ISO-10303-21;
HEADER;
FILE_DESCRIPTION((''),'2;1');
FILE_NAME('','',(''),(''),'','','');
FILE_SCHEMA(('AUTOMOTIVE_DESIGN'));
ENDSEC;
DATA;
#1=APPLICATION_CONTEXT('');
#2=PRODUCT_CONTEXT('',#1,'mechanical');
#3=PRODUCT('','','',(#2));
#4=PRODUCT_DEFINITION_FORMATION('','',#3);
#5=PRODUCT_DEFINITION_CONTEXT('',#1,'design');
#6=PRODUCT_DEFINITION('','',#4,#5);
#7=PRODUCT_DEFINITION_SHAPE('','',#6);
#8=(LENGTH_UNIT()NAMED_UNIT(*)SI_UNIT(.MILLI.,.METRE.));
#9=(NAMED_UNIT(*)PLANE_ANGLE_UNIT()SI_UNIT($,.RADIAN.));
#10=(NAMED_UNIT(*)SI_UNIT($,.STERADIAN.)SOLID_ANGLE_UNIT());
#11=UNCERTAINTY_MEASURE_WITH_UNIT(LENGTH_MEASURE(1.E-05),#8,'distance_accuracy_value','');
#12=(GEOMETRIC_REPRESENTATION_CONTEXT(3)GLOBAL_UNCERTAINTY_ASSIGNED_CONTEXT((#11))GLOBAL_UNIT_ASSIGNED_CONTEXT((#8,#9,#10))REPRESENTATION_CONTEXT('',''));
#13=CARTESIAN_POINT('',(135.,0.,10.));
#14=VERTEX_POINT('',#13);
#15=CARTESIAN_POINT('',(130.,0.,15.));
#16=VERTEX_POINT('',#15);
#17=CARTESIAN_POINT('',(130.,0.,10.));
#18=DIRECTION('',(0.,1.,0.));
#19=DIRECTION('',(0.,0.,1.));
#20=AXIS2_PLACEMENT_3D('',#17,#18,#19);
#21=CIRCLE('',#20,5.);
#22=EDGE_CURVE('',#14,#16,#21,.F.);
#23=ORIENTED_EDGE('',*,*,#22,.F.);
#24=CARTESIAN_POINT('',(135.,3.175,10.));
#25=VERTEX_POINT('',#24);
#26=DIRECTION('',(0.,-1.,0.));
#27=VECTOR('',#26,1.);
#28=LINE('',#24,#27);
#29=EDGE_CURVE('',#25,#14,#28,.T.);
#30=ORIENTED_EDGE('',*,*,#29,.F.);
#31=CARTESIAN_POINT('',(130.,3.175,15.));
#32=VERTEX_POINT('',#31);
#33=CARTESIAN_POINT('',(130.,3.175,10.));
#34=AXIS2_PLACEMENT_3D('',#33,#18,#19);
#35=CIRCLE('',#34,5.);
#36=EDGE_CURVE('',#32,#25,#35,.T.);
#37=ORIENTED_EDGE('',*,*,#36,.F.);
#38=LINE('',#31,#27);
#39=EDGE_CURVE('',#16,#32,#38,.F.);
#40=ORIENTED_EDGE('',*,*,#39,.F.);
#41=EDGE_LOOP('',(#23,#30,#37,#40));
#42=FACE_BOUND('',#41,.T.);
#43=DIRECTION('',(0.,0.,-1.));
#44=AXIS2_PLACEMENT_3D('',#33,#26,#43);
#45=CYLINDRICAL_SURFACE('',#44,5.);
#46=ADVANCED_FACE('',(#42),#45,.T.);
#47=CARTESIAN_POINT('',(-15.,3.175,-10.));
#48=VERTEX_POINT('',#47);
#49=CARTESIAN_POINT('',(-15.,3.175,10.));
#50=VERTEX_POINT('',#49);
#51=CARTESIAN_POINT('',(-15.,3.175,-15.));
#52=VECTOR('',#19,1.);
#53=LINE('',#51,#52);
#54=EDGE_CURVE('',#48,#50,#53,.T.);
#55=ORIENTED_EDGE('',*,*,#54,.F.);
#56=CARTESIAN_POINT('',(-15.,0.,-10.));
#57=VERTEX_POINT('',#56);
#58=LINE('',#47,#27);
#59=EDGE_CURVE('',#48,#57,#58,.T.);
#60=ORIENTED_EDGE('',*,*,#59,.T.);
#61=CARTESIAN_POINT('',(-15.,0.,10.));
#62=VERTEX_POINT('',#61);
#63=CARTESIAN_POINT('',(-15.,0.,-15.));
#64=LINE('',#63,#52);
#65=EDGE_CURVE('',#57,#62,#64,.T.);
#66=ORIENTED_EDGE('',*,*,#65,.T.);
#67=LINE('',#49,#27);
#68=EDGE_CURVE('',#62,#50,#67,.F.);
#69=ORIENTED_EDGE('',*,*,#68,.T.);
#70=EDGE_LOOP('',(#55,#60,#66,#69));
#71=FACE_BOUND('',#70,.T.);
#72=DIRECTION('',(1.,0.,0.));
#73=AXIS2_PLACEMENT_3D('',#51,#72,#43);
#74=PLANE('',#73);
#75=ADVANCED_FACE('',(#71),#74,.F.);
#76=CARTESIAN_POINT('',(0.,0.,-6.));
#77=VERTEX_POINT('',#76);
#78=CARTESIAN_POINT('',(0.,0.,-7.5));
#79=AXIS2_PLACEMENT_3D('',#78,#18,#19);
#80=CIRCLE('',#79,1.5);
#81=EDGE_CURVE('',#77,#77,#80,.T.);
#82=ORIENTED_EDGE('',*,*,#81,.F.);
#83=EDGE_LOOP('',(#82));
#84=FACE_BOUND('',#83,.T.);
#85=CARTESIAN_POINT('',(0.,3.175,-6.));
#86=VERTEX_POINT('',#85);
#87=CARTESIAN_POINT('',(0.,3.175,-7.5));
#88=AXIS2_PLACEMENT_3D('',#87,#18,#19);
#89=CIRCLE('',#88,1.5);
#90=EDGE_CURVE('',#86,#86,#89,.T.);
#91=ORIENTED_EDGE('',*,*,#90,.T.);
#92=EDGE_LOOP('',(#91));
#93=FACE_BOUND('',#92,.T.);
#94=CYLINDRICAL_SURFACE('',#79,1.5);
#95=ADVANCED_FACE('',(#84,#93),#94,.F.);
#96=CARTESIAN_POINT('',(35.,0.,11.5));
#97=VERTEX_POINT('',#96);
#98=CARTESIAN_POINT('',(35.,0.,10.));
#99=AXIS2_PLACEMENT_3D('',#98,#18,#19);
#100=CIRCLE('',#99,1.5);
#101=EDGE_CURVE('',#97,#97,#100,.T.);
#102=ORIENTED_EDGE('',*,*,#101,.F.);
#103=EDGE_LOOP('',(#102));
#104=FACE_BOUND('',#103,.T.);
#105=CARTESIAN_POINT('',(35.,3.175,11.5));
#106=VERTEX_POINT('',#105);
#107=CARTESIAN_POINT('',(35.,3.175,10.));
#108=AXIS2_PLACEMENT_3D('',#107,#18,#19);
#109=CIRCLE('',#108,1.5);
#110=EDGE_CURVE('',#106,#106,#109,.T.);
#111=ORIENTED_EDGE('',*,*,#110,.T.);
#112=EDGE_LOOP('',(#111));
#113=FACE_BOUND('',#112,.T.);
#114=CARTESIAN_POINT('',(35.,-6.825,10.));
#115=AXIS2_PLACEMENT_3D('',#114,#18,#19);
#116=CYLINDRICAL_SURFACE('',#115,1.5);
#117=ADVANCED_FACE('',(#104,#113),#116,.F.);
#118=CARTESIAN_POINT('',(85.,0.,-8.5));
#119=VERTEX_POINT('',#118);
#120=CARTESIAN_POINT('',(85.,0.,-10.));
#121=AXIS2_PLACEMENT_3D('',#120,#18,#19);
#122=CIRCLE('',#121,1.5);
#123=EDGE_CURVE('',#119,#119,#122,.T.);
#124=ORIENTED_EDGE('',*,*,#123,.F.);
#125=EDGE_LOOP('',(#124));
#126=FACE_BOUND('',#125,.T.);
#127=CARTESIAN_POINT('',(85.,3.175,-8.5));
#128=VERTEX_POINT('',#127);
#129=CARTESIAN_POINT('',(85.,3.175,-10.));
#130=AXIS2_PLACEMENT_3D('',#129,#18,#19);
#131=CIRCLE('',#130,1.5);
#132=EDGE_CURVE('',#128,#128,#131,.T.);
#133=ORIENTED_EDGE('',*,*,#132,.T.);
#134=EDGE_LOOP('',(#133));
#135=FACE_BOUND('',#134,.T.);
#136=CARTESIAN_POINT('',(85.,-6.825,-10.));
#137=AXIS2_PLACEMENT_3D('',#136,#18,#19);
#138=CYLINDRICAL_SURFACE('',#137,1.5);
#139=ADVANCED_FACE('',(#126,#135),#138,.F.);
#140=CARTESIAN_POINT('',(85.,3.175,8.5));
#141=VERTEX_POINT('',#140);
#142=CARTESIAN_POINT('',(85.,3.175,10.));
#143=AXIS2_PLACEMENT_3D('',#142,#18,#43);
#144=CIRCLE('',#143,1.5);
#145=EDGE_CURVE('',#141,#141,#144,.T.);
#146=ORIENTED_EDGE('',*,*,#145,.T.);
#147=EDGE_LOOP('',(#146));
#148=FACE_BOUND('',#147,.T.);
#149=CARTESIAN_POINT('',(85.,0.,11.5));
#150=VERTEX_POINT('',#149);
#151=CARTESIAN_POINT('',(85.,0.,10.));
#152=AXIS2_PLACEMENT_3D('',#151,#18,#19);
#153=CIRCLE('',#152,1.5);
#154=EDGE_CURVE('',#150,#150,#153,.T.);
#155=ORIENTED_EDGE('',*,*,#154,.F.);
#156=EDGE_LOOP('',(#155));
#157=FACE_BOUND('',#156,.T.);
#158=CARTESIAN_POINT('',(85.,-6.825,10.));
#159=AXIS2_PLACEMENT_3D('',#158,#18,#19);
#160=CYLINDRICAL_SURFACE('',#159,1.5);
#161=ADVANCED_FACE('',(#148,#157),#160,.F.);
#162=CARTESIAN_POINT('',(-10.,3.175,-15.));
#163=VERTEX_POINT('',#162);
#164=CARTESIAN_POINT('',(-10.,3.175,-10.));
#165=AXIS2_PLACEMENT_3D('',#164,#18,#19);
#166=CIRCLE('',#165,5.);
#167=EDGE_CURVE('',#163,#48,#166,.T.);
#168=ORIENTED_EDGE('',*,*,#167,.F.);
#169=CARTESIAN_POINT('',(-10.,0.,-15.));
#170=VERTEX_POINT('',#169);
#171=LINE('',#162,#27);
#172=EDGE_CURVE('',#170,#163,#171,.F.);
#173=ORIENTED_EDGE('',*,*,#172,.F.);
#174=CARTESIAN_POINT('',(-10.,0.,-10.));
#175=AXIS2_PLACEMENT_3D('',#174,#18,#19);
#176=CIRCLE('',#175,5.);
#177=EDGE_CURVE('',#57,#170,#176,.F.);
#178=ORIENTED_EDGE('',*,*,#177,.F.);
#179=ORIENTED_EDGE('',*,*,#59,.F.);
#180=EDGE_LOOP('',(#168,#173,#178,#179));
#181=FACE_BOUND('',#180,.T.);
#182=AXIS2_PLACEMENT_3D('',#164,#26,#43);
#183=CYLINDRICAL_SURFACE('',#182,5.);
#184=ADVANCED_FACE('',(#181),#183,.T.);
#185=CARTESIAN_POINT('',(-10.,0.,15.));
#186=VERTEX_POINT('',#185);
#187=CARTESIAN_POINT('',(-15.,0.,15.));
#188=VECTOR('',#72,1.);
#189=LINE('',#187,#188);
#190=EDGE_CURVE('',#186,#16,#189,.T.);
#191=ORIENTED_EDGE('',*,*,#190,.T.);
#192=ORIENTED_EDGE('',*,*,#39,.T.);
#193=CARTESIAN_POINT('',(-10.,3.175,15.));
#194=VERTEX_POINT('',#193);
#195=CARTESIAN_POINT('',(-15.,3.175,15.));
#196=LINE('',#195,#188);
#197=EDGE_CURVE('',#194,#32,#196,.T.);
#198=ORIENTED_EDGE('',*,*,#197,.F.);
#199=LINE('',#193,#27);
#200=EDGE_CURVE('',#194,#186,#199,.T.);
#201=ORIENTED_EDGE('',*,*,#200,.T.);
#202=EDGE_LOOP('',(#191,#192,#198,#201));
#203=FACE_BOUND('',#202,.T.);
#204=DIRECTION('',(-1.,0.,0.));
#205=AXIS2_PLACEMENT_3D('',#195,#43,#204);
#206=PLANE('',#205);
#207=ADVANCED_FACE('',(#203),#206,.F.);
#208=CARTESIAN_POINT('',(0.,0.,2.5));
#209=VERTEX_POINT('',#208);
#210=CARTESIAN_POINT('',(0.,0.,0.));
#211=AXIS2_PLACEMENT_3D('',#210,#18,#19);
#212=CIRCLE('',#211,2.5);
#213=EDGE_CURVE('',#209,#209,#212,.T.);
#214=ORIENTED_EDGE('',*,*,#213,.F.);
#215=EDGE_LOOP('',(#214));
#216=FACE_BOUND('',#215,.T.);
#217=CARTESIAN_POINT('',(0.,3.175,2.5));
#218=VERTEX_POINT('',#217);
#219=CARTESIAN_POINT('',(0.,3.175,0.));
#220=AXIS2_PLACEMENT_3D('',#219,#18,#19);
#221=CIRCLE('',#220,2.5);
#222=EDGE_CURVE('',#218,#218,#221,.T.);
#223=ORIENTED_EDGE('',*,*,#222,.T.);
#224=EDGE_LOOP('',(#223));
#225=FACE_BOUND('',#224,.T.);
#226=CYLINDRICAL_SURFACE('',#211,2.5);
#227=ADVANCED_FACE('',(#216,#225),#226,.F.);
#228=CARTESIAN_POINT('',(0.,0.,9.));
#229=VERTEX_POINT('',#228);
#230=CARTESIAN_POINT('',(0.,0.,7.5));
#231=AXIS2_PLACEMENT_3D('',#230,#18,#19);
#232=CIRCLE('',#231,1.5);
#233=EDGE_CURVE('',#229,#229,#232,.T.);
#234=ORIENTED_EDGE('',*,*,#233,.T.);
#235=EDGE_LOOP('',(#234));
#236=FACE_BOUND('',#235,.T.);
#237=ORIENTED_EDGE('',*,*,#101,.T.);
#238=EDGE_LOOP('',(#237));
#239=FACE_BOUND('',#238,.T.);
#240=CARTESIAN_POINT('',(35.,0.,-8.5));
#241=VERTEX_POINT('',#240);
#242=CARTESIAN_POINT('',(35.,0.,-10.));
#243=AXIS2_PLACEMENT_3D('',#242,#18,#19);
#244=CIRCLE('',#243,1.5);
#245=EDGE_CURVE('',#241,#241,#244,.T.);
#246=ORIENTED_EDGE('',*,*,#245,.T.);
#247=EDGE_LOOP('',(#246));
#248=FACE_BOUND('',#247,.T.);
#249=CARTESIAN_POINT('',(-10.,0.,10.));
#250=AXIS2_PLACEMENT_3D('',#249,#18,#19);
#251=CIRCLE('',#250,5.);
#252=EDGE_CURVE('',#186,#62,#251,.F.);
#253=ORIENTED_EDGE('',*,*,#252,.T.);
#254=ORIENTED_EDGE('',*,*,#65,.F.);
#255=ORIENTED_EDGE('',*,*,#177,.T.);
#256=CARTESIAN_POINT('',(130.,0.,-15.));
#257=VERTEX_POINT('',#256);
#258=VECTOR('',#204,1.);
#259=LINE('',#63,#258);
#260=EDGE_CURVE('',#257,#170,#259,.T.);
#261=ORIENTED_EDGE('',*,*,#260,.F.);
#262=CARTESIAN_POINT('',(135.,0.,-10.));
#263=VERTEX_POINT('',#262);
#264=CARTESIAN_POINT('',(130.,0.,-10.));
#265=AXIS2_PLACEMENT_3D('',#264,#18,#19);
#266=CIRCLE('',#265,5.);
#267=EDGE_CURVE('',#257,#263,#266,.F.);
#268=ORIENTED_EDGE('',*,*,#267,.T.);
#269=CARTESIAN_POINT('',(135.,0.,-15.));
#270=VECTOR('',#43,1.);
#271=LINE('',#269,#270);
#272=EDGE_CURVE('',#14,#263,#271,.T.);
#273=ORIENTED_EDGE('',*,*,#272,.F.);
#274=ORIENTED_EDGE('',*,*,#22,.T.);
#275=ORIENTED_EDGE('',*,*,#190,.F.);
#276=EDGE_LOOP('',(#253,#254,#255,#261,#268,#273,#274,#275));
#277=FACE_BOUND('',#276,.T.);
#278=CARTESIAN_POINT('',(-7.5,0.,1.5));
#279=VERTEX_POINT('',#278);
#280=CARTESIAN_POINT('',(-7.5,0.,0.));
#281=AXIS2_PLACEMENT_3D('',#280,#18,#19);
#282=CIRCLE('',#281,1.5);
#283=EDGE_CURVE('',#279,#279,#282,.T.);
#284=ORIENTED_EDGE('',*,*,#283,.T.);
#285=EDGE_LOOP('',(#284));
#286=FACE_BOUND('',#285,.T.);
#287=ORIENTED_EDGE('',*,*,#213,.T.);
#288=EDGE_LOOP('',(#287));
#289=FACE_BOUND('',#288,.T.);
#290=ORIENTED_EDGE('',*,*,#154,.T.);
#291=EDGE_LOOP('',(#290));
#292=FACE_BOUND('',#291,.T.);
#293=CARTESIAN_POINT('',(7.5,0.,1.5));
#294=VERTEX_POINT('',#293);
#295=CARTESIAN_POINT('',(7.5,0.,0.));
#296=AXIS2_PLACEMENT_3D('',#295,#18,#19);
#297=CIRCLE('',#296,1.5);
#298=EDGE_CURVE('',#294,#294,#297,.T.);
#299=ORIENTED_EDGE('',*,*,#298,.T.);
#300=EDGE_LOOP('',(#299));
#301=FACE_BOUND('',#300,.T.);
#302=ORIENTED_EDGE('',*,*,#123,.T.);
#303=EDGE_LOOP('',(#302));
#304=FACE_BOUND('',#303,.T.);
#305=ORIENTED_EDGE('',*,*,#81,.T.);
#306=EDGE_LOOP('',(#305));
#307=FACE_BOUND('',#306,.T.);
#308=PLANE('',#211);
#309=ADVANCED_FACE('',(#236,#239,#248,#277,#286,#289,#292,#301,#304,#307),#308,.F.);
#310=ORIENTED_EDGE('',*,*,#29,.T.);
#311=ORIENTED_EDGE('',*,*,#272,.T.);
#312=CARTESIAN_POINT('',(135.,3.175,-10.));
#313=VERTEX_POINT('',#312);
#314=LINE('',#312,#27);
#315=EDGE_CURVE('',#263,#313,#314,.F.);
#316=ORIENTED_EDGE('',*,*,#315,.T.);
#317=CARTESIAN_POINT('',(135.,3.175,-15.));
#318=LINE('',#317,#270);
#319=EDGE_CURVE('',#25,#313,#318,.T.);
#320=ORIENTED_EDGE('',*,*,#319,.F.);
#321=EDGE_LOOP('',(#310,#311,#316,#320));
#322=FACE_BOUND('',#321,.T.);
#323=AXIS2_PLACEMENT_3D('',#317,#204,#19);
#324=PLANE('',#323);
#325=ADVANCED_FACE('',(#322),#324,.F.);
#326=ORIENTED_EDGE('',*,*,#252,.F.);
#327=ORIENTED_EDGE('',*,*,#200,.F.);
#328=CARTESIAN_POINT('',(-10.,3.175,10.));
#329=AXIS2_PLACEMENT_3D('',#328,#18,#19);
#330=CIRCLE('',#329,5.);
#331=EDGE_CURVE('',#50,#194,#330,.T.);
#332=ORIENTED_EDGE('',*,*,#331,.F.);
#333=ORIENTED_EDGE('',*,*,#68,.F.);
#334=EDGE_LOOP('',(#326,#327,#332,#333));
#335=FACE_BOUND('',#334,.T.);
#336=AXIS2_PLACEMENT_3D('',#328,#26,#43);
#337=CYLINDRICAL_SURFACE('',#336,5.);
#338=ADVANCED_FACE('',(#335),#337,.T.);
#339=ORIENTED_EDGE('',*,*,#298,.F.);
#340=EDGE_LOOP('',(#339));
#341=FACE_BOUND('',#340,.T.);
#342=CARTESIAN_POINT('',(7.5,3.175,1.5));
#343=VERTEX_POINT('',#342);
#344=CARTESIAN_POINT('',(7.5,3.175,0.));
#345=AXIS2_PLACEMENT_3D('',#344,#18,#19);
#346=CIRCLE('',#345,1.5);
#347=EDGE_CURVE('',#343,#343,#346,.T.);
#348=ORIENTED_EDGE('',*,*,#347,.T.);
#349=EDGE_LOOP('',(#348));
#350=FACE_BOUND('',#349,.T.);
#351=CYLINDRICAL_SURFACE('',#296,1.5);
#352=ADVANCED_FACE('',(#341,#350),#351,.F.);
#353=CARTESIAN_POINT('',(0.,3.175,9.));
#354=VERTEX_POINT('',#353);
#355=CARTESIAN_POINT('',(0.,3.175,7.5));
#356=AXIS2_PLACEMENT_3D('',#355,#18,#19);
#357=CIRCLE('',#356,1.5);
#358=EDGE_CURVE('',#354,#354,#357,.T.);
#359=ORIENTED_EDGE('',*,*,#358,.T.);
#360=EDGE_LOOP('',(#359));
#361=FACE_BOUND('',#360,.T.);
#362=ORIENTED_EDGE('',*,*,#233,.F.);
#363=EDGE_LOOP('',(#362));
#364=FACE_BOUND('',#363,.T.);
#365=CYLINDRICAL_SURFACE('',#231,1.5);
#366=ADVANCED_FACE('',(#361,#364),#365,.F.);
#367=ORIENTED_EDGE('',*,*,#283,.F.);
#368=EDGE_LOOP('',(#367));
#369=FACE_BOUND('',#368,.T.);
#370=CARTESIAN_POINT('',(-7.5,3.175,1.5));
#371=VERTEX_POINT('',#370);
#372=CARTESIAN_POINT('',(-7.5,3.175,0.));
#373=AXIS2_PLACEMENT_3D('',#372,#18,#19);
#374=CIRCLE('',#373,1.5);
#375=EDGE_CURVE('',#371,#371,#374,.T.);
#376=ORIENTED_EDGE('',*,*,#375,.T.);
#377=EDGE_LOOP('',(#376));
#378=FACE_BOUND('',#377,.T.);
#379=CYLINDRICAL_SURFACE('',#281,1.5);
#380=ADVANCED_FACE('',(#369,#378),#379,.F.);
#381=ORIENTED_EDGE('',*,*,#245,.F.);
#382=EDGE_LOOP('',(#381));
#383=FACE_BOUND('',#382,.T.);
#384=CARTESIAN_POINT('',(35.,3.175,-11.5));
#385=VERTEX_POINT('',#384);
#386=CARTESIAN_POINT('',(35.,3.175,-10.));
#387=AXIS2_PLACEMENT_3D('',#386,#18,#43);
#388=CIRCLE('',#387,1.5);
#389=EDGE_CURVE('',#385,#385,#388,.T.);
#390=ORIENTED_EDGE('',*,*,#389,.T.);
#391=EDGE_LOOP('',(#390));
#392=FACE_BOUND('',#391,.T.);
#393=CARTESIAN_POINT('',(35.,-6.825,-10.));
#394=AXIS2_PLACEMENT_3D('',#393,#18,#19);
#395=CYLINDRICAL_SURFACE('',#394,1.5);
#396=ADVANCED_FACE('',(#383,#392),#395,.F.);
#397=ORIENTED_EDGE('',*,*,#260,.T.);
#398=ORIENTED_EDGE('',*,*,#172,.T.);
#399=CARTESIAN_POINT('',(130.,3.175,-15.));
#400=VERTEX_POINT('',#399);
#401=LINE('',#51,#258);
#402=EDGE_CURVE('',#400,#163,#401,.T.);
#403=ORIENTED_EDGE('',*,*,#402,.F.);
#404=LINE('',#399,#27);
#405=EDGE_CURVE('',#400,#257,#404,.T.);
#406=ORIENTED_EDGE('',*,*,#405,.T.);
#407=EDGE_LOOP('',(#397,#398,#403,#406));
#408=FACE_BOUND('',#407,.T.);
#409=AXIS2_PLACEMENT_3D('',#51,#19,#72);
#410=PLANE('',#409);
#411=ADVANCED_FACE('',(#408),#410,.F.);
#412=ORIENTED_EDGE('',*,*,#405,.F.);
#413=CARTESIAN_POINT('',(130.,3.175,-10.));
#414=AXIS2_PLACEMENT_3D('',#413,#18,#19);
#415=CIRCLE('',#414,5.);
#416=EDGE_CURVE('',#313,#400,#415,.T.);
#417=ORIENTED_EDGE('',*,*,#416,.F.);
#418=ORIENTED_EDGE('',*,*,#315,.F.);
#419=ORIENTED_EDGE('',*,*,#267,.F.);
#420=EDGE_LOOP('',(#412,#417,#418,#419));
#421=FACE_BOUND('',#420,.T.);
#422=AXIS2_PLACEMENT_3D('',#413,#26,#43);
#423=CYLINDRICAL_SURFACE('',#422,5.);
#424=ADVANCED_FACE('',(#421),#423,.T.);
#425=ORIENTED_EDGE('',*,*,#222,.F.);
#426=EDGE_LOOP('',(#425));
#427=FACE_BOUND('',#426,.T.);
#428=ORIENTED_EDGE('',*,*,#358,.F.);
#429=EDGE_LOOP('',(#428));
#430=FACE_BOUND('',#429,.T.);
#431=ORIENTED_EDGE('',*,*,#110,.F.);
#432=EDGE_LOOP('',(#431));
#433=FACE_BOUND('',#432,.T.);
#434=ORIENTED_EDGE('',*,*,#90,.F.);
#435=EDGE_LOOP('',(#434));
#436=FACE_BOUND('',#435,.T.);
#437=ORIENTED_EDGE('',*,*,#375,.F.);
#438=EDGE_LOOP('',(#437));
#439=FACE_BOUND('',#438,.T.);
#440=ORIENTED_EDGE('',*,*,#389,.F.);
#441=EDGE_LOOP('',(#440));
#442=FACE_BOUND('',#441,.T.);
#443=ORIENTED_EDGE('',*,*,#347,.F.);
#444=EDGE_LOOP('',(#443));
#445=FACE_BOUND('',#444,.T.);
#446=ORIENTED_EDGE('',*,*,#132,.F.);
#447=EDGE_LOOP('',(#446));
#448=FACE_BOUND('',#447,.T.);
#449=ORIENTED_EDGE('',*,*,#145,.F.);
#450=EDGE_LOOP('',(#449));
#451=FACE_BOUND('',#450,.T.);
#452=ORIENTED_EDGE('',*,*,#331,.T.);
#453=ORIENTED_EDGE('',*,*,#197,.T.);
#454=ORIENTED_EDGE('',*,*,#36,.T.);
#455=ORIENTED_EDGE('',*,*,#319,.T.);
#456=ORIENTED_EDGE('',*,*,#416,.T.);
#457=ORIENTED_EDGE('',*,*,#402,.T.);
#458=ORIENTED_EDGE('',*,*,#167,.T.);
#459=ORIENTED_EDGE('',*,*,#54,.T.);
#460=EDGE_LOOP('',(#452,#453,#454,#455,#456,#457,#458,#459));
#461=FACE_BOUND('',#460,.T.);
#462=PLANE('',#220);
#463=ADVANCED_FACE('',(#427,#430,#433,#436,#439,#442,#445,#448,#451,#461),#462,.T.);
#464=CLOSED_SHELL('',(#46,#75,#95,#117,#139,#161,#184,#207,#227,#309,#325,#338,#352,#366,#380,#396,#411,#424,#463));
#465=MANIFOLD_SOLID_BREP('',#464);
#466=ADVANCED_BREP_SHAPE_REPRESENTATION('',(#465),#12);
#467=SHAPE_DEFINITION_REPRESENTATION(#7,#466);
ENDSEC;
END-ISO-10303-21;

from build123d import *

# Parameters (mm, degrees)
SKETCH1_W           = 150
SKETCH1_H           = 30
BOSS_EXTRUDE1_DEPTH = 3.175
FILLET1_R           = 5
SKETCH2_R           = 2.5
CUT_EXTRUDE1_DEPTH  = 136.867879298
SKETCH3_R           = 1.5
CUT_EXTRUDE3_DEPTH  = 136.867879298
SKETCH4_R           = 1.5
CUT_EXTRUDE4_DEPTH  = 10


with BuildPart() as part:
    # Sketch1 → Boss-Extrude1 (new body)
    with BuildSketch(Plane(origin=(0, 0, 0), x_dir=(1, 0, 0), z_dir=(0, 1, 0))):
        with Locations((60, 0)):
            Rectangle(SKETCH1_W, SKETCH1_H)
    extrude(amount=BOSS_EXTRUDE1_DEPTH)

    # Fillet1
    fillet1_edges = [part.edges().sort_by_distance(p)[0] for p in [
        (-15, 1.5875, -15),
        (135, 1.5875, -15),
        (135, 1.5875, 15),
        (-15, 1.5875, 15),
    ]]
    fillet(fillet1_edges, radius=FILLET1_R)

    # Sketch2 → Cut-Extrude1 (cut, through all)
    with BuildSketch(Plane(origin=(0, 3.175, 0), x_dir=(1, 0, 0), z_dir=(0, 1, 0))):
        with Locations(Location((0, 0, 0), (0, 0, 270))):
            Circle(SKETCH2_R)
    extrude(amount=-CUT_EXTRUDE1_DEPTH, mode=Mode.SUBTRACT)

    # Sketch3 → Cut-Extrude3 (cut, through all)
    with BuildSketch(Plane(origin=(0, 3.175, 0), x_dir=(1, 0, 0), z_dir=(0, 1, 0))):
        with Locations(Location((7.5, 0, 0), (0, 0, 270))):
            Circle(SKETCH3_R)
        with Locations(Location((0, -7.5, 0), (0, 0, 270))):
            Circle(SKETCH3_R)
        with Locations(Location((-7.5, 0, 0), (0, 0, 270))):
            Circle(SKETCH3_R)
        with Locations(Location((0, 7.5, 0), (0, 0, 270))):
            Circle(SKETCH3_R)
    extrude(amount=-CUT_EXTRUDE3_DEPTH, mode=Mode.SUBTRACT)

    # Sketch4 → Cut-Extrude4 (cut)
    with BuildSketch(Plane(origin=(0, 3.175, 0), x_dir=(1, 0, 0), z_dir=(0, 1, 0))):
        with Locations(Location((35, -10, 0), (0, 0, 270))):
            Circle(SKETCH4_R)
        with Locations(Location((85, -10, 0), (0, 0, 270))):
            Circle(SKETCH4_R)
        with Locations(Location((85, 10, 0), (0, 0, 270))):
            Circle(SKETCH4_R)
        with Locations(Location((35, 10, 0), (0, 0, 270))):
            Circle(SKETCH4_R)
    extrude(amount=-CUT_EXTRUDE4_DEPTH, mode=Mode.SUBTRACT)


solid = part.part
